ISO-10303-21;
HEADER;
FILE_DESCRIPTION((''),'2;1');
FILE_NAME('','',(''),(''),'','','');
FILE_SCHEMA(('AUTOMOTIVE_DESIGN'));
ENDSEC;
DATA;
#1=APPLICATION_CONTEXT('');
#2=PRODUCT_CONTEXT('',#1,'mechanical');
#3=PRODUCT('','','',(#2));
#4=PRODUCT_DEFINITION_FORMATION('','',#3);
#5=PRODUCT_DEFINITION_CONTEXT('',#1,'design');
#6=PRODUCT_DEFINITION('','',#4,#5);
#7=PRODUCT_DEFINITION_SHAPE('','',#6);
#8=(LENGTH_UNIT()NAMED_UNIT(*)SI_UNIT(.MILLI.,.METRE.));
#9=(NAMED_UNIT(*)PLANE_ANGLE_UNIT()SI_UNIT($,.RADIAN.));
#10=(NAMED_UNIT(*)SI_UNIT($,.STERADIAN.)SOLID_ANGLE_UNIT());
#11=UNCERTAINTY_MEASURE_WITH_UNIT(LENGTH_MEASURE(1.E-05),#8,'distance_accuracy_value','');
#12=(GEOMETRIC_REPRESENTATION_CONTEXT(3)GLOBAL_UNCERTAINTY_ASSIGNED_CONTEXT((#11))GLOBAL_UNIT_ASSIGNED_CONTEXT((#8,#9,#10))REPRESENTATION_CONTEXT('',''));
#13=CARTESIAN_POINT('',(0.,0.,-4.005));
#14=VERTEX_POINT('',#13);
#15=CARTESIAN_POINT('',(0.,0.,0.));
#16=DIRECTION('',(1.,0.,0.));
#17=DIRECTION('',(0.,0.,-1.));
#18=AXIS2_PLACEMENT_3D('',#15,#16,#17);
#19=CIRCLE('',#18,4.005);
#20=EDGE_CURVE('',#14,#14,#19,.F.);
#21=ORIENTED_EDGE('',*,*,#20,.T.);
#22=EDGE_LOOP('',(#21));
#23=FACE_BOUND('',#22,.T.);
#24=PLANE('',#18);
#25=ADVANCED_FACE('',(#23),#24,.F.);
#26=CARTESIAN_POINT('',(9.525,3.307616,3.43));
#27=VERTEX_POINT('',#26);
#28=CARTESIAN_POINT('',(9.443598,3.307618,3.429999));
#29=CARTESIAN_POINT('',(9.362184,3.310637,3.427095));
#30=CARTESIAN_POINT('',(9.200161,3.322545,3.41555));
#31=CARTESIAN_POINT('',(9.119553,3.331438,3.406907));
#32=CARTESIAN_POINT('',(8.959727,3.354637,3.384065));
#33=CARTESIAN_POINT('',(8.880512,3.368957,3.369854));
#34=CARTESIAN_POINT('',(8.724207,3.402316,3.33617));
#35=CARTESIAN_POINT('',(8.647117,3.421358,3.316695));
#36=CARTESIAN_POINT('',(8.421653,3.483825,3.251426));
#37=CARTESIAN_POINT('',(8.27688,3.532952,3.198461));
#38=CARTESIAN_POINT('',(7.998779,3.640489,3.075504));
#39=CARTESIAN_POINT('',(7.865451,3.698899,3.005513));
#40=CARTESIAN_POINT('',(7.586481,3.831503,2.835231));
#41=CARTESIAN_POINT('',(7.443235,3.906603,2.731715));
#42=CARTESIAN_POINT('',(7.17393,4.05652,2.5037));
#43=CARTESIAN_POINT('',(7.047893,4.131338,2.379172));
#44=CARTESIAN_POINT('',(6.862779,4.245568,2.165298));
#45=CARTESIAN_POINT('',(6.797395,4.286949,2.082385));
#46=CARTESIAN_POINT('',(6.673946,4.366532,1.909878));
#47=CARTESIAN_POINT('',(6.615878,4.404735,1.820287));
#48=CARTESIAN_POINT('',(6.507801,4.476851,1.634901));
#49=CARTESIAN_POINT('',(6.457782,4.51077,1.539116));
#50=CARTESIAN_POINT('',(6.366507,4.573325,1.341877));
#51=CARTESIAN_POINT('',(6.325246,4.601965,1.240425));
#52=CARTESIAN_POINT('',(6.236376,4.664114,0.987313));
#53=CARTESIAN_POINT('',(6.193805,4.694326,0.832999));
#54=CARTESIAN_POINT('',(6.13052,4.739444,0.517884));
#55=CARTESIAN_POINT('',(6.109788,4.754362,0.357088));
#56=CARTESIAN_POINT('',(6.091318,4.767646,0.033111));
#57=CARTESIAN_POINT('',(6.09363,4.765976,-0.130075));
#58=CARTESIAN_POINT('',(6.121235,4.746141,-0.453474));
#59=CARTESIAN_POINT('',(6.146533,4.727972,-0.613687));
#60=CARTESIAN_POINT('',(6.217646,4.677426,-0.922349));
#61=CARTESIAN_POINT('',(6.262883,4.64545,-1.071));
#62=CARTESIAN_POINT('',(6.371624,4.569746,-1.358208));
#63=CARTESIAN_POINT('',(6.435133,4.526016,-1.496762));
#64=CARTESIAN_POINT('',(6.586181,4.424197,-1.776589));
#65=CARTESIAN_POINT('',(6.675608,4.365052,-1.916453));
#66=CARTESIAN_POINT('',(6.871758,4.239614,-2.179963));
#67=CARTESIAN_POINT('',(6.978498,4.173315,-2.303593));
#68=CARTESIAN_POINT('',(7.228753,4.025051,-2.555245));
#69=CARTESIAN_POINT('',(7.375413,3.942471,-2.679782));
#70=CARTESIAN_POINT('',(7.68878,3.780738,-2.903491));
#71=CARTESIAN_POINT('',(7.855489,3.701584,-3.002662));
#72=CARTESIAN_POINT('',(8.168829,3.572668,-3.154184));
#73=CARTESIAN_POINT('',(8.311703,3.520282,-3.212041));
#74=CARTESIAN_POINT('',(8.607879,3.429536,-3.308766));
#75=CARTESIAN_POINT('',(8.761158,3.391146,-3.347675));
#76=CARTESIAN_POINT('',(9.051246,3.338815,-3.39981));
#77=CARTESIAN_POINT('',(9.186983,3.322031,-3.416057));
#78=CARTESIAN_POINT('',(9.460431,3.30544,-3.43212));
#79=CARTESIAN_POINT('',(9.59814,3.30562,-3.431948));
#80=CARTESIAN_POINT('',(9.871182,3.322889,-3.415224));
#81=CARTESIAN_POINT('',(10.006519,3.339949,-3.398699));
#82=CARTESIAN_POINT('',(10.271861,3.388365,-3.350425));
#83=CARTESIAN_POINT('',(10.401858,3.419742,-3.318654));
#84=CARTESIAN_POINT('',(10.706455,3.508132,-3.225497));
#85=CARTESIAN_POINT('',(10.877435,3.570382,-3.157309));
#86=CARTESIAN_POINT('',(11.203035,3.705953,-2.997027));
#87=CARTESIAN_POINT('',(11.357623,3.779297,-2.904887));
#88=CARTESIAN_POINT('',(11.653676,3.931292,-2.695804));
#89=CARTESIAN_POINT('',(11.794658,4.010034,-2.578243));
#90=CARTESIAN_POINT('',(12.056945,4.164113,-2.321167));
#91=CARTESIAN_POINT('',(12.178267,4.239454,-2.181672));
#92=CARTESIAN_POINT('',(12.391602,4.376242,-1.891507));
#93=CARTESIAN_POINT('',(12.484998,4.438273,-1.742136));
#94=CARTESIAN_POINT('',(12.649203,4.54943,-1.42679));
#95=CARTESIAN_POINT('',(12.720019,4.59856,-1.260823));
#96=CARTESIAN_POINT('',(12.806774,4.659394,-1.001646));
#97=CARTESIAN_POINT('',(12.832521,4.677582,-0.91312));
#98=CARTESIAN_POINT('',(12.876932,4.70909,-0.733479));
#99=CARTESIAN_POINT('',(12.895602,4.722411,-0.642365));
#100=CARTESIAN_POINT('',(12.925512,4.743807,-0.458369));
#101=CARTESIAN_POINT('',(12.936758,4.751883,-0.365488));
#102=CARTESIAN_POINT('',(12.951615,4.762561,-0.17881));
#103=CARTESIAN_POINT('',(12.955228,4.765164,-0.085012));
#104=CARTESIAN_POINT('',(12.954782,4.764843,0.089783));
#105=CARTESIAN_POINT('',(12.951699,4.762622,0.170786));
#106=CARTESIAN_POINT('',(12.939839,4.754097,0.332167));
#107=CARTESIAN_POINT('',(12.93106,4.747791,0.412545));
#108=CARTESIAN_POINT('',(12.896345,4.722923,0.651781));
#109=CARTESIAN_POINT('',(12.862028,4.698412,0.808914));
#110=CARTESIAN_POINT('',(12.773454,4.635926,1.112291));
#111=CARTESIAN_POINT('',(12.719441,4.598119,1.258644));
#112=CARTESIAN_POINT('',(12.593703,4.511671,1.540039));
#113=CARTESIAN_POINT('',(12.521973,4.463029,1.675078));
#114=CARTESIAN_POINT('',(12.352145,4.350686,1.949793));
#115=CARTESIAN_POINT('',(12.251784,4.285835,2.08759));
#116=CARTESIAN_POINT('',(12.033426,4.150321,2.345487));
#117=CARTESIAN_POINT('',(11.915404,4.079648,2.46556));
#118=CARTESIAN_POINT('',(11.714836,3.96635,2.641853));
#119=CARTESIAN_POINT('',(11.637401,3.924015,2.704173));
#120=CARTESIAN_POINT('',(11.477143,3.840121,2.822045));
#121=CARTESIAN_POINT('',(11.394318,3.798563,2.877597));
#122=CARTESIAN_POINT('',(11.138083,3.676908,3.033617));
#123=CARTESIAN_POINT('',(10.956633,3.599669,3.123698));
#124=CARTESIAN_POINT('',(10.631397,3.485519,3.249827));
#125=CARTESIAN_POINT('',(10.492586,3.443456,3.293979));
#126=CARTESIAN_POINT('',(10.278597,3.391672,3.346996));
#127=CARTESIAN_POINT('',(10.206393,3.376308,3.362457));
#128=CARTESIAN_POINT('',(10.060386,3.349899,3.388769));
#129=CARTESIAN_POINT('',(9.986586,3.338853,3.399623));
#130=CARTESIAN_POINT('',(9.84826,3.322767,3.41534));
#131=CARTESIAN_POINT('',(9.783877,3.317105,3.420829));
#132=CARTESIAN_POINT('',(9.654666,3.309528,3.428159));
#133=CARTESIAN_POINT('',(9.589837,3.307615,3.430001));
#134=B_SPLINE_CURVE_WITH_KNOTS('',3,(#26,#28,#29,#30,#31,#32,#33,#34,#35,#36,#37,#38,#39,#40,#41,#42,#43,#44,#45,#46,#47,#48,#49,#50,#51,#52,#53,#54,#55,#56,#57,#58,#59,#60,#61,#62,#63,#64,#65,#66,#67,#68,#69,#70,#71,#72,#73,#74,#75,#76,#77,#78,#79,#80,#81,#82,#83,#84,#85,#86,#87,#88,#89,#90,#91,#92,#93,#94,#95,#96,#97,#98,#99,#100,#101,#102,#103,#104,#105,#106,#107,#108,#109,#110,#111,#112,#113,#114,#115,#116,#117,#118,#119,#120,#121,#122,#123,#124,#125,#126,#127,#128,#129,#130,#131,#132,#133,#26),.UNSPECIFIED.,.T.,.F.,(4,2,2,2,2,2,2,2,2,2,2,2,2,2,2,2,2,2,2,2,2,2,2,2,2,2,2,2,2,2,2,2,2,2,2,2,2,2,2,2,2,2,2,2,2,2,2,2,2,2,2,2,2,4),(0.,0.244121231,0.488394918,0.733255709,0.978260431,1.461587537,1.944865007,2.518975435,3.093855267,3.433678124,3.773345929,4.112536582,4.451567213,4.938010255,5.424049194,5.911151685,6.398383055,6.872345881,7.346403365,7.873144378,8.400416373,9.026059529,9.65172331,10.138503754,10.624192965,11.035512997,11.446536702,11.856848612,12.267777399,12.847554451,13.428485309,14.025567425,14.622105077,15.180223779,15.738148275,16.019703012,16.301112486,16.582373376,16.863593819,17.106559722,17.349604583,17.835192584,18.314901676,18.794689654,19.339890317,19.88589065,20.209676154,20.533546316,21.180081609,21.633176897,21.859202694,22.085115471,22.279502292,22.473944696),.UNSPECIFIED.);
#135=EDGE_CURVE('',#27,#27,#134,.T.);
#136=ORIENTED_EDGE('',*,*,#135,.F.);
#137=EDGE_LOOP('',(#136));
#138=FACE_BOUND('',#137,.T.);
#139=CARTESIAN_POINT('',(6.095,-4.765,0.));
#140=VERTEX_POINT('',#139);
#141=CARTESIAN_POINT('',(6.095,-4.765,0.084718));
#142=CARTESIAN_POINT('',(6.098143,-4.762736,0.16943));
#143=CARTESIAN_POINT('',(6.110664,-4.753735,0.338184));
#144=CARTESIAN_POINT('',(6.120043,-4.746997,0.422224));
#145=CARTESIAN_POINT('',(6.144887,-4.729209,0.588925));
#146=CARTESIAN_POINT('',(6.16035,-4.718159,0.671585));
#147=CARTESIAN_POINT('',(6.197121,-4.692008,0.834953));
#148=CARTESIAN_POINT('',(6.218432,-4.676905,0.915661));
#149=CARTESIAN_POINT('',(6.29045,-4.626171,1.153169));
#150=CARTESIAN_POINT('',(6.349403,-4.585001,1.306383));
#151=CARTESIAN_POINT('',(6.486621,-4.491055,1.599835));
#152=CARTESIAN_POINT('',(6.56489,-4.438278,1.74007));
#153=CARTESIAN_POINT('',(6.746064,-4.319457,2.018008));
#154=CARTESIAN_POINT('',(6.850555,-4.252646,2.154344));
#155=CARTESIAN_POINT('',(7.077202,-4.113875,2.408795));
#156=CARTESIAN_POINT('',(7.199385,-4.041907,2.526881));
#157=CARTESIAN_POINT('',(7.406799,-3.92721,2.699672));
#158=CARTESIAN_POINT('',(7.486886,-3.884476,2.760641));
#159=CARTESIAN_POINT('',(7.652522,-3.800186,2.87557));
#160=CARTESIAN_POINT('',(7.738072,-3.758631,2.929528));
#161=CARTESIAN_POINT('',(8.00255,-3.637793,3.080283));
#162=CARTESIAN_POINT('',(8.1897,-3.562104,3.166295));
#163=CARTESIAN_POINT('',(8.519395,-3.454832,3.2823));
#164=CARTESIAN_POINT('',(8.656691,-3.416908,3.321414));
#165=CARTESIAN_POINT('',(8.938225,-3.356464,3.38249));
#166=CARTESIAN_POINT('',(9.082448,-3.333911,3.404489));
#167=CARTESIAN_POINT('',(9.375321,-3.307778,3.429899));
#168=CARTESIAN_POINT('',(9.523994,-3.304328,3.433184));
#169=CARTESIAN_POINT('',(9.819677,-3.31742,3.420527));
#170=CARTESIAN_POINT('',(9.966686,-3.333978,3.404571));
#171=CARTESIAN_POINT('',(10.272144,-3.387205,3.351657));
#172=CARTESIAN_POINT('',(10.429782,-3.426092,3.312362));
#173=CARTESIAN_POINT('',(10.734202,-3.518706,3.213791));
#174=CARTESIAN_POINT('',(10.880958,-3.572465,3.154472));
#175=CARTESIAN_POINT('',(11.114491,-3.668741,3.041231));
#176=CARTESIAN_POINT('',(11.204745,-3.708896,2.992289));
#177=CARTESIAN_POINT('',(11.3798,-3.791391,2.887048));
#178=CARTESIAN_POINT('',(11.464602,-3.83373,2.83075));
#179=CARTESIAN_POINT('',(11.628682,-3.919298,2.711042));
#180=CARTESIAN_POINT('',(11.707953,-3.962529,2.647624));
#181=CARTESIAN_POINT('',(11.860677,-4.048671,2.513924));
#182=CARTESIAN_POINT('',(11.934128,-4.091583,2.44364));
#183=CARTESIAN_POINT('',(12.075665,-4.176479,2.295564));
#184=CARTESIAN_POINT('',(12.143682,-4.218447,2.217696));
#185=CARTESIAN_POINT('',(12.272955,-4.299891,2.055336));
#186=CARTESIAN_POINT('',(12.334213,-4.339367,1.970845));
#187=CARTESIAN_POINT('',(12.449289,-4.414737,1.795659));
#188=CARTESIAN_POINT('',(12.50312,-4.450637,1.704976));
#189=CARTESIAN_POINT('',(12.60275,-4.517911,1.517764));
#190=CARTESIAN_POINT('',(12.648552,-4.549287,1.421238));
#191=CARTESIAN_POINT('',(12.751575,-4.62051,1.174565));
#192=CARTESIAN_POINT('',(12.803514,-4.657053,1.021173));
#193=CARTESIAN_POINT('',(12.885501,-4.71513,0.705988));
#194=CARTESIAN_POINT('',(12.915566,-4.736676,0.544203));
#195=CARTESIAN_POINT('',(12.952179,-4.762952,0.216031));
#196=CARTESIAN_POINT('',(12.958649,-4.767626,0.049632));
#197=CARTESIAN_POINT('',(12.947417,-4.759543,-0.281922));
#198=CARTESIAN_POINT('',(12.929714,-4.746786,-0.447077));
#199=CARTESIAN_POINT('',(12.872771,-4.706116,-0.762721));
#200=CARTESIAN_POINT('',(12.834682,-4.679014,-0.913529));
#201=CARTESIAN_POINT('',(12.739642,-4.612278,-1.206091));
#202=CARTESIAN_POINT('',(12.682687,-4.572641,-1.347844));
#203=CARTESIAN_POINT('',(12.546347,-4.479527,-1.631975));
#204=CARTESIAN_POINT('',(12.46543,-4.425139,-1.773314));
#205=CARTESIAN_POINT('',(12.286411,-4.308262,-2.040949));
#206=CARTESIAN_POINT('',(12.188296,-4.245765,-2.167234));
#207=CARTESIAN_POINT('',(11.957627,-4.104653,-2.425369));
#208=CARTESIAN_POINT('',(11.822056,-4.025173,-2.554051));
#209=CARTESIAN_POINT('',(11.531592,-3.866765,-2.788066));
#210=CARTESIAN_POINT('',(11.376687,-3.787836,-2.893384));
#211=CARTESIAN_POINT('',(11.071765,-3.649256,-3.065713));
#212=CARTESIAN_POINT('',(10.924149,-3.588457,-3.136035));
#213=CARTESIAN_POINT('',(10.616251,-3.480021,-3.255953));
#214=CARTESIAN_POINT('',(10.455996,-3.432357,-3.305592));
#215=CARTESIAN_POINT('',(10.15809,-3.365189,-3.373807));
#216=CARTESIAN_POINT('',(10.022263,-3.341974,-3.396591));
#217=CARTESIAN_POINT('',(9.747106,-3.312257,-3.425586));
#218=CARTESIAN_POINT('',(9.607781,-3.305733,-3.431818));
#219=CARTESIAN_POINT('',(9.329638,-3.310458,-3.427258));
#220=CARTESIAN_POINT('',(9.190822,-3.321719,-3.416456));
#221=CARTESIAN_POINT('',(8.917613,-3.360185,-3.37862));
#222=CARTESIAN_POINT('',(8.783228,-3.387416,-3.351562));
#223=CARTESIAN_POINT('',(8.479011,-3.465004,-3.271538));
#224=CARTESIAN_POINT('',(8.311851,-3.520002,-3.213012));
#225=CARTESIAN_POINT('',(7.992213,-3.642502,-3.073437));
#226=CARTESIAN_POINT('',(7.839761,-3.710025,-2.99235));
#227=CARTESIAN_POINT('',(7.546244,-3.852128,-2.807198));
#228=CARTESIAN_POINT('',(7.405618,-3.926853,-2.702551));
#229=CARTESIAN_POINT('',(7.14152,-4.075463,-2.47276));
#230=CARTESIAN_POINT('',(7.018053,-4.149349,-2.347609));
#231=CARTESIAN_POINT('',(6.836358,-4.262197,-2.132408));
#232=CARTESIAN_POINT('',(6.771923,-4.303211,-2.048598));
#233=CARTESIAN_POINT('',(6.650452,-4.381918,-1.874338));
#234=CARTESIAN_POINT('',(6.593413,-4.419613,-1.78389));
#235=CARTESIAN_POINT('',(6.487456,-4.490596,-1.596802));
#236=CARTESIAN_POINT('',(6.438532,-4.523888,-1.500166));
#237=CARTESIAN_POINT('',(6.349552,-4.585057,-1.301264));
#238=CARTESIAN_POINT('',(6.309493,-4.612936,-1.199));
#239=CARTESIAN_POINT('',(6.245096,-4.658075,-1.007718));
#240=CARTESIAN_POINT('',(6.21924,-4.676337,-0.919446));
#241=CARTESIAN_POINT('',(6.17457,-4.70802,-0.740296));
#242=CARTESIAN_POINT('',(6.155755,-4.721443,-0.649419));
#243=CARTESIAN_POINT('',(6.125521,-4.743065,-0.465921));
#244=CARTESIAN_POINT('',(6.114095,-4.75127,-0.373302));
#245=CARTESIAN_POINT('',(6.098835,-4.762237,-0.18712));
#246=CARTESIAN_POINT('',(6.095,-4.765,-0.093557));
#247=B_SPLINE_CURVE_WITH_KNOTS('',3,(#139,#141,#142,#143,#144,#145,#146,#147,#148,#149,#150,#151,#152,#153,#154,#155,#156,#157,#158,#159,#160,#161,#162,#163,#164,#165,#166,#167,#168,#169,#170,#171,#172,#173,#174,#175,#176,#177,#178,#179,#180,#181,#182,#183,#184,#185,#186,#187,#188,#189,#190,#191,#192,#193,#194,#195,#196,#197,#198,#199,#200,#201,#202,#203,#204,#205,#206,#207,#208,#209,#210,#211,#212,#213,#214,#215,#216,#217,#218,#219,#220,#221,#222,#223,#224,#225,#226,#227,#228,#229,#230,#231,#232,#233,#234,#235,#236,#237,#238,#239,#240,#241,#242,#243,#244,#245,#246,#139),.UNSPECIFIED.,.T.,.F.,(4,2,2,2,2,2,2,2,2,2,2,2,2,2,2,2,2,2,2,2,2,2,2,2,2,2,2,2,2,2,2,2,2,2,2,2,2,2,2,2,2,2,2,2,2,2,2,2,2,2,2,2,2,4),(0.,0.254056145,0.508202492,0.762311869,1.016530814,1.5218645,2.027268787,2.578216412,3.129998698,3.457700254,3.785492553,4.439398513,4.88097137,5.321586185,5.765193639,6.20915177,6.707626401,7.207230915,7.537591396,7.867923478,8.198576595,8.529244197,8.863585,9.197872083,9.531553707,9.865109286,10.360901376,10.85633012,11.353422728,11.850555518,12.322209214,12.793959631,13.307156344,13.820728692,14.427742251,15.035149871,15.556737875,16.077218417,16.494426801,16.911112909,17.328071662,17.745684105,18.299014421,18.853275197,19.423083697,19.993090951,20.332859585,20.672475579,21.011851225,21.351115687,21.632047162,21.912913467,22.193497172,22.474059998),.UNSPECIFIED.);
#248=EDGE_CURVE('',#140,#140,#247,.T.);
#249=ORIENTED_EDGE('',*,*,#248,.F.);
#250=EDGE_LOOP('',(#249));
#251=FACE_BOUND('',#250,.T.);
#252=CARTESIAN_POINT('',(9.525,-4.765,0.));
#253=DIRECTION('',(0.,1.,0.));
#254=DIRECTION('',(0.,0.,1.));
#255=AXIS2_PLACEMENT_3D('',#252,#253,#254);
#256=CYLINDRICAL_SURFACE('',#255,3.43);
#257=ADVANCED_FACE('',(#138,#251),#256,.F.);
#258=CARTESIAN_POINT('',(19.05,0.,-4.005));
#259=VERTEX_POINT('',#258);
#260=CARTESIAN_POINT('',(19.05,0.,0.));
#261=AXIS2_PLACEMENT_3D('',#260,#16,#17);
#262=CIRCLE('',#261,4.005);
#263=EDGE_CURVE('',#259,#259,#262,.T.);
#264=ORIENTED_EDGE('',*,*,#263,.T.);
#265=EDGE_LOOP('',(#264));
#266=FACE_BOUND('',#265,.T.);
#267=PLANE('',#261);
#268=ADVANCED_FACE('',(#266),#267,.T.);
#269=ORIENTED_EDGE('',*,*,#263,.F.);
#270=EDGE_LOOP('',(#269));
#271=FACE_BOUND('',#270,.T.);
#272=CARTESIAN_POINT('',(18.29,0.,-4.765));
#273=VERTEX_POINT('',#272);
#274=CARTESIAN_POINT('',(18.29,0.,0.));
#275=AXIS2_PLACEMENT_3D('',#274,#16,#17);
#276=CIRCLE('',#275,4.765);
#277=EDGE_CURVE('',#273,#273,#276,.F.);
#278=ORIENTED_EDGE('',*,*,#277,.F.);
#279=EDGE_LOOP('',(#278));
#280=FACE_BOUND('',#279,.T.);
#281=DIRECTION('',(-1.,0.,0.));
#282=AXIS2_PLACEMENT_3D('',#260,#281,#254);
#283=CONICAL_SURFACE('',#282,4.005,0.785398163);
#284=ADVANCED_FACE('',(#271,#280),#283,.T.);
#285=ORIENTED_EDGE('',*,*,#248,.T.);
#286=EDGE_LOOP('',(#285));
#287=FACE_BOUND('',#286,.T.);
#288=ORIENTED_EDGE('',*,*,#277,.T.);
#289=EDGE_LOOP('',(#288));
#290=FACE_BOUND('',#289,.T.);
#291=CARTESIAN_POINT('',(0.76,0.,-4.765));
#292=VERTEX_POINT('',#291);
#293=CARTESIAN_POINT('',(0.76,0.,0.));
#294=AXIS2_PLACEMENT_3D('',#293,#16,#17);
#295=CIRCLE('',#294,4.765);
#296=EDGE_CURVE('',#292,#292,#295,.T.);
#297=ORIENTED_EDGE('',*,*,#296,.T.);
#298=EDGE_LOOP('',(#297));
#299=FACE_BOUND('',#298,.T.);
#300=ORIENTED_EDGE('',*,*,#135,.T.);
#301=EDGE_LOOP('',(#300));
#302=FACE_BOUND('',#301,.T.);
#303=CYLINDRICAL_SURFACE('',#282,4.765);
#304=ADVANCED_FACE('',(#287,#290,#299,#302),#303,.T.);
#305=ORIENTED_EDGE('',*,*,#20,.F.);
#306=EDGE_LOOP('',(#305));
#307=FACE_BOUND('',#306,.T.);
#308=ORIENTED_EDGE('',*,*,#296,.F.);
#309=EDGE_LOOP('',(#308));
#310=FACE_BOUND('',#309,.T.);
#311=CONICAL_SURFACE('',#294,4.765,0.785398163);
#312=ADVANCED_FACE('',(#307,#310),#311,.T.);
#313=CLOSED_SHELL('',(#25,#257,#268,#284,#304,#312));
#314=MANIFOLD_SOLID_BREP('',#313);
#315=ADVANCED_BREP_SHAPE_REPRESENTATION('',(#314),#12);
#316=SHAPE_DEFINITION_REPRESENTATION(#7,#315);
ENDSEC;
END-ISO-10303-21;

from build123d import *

# Parameters (mm, degrees)
SKETCH1_R               = 4.765
BOSS_EXTRUDE1_DEPTH     = 19.05
CHAMFER1_SIZE           = 0.76
CUT_EXTRUDE1_DEPTH      = 21.206755059
CUT_EXTRUDE1_DEPTH_BACK = 21.206755059
SKETCH2_R               = 3.43


with BuildPart() as part:
    # Sketch1 → Boss-Extrude1 (new body)
    with BuildSketch(Plane(origin=(0, 0, 0), x_dir=(0, 0, -1), z_dir=(1, 0, 0))):
        with Locations(Location((0, 0, 0), (0, 0, 180))):
            Circle(SKETCH1_R)
    extrude(amount=BOSS_EXTRUDE1_DEPTH)

    # Chamfer1
    chamfer1_edges = [part.edges().sort_by_distance(p)[0] for p in [
        (0, 0, -4.765),
        (19.05, 0, -4.765),
    ]]
    chamfer(chamfer1_edges, length=CHAMFER1_SIZE)

    # Sketch2 → Cut-Extrude1 (cut, two sides: drawn at the far end of the back side and taken through both)
    with BuildSketch(Plane(origin=(0, 0, 0), x_dir=(1, 0, 0), z_dir=(0, 1, 0)).offset(-CUT_EXTRUDE1_DEPTH_BACK)):
        with Locations(Location((9.525, 0, 0), (0, 0, 270))):
            Circle(SKETCH2_R)
    extrude(amount=CUT_EXTRUDE1_DEPTH + CUT_EXTRUDE1_DEPTH_BACK, mode=Mode.SUBTRACT)


solid = part.part
